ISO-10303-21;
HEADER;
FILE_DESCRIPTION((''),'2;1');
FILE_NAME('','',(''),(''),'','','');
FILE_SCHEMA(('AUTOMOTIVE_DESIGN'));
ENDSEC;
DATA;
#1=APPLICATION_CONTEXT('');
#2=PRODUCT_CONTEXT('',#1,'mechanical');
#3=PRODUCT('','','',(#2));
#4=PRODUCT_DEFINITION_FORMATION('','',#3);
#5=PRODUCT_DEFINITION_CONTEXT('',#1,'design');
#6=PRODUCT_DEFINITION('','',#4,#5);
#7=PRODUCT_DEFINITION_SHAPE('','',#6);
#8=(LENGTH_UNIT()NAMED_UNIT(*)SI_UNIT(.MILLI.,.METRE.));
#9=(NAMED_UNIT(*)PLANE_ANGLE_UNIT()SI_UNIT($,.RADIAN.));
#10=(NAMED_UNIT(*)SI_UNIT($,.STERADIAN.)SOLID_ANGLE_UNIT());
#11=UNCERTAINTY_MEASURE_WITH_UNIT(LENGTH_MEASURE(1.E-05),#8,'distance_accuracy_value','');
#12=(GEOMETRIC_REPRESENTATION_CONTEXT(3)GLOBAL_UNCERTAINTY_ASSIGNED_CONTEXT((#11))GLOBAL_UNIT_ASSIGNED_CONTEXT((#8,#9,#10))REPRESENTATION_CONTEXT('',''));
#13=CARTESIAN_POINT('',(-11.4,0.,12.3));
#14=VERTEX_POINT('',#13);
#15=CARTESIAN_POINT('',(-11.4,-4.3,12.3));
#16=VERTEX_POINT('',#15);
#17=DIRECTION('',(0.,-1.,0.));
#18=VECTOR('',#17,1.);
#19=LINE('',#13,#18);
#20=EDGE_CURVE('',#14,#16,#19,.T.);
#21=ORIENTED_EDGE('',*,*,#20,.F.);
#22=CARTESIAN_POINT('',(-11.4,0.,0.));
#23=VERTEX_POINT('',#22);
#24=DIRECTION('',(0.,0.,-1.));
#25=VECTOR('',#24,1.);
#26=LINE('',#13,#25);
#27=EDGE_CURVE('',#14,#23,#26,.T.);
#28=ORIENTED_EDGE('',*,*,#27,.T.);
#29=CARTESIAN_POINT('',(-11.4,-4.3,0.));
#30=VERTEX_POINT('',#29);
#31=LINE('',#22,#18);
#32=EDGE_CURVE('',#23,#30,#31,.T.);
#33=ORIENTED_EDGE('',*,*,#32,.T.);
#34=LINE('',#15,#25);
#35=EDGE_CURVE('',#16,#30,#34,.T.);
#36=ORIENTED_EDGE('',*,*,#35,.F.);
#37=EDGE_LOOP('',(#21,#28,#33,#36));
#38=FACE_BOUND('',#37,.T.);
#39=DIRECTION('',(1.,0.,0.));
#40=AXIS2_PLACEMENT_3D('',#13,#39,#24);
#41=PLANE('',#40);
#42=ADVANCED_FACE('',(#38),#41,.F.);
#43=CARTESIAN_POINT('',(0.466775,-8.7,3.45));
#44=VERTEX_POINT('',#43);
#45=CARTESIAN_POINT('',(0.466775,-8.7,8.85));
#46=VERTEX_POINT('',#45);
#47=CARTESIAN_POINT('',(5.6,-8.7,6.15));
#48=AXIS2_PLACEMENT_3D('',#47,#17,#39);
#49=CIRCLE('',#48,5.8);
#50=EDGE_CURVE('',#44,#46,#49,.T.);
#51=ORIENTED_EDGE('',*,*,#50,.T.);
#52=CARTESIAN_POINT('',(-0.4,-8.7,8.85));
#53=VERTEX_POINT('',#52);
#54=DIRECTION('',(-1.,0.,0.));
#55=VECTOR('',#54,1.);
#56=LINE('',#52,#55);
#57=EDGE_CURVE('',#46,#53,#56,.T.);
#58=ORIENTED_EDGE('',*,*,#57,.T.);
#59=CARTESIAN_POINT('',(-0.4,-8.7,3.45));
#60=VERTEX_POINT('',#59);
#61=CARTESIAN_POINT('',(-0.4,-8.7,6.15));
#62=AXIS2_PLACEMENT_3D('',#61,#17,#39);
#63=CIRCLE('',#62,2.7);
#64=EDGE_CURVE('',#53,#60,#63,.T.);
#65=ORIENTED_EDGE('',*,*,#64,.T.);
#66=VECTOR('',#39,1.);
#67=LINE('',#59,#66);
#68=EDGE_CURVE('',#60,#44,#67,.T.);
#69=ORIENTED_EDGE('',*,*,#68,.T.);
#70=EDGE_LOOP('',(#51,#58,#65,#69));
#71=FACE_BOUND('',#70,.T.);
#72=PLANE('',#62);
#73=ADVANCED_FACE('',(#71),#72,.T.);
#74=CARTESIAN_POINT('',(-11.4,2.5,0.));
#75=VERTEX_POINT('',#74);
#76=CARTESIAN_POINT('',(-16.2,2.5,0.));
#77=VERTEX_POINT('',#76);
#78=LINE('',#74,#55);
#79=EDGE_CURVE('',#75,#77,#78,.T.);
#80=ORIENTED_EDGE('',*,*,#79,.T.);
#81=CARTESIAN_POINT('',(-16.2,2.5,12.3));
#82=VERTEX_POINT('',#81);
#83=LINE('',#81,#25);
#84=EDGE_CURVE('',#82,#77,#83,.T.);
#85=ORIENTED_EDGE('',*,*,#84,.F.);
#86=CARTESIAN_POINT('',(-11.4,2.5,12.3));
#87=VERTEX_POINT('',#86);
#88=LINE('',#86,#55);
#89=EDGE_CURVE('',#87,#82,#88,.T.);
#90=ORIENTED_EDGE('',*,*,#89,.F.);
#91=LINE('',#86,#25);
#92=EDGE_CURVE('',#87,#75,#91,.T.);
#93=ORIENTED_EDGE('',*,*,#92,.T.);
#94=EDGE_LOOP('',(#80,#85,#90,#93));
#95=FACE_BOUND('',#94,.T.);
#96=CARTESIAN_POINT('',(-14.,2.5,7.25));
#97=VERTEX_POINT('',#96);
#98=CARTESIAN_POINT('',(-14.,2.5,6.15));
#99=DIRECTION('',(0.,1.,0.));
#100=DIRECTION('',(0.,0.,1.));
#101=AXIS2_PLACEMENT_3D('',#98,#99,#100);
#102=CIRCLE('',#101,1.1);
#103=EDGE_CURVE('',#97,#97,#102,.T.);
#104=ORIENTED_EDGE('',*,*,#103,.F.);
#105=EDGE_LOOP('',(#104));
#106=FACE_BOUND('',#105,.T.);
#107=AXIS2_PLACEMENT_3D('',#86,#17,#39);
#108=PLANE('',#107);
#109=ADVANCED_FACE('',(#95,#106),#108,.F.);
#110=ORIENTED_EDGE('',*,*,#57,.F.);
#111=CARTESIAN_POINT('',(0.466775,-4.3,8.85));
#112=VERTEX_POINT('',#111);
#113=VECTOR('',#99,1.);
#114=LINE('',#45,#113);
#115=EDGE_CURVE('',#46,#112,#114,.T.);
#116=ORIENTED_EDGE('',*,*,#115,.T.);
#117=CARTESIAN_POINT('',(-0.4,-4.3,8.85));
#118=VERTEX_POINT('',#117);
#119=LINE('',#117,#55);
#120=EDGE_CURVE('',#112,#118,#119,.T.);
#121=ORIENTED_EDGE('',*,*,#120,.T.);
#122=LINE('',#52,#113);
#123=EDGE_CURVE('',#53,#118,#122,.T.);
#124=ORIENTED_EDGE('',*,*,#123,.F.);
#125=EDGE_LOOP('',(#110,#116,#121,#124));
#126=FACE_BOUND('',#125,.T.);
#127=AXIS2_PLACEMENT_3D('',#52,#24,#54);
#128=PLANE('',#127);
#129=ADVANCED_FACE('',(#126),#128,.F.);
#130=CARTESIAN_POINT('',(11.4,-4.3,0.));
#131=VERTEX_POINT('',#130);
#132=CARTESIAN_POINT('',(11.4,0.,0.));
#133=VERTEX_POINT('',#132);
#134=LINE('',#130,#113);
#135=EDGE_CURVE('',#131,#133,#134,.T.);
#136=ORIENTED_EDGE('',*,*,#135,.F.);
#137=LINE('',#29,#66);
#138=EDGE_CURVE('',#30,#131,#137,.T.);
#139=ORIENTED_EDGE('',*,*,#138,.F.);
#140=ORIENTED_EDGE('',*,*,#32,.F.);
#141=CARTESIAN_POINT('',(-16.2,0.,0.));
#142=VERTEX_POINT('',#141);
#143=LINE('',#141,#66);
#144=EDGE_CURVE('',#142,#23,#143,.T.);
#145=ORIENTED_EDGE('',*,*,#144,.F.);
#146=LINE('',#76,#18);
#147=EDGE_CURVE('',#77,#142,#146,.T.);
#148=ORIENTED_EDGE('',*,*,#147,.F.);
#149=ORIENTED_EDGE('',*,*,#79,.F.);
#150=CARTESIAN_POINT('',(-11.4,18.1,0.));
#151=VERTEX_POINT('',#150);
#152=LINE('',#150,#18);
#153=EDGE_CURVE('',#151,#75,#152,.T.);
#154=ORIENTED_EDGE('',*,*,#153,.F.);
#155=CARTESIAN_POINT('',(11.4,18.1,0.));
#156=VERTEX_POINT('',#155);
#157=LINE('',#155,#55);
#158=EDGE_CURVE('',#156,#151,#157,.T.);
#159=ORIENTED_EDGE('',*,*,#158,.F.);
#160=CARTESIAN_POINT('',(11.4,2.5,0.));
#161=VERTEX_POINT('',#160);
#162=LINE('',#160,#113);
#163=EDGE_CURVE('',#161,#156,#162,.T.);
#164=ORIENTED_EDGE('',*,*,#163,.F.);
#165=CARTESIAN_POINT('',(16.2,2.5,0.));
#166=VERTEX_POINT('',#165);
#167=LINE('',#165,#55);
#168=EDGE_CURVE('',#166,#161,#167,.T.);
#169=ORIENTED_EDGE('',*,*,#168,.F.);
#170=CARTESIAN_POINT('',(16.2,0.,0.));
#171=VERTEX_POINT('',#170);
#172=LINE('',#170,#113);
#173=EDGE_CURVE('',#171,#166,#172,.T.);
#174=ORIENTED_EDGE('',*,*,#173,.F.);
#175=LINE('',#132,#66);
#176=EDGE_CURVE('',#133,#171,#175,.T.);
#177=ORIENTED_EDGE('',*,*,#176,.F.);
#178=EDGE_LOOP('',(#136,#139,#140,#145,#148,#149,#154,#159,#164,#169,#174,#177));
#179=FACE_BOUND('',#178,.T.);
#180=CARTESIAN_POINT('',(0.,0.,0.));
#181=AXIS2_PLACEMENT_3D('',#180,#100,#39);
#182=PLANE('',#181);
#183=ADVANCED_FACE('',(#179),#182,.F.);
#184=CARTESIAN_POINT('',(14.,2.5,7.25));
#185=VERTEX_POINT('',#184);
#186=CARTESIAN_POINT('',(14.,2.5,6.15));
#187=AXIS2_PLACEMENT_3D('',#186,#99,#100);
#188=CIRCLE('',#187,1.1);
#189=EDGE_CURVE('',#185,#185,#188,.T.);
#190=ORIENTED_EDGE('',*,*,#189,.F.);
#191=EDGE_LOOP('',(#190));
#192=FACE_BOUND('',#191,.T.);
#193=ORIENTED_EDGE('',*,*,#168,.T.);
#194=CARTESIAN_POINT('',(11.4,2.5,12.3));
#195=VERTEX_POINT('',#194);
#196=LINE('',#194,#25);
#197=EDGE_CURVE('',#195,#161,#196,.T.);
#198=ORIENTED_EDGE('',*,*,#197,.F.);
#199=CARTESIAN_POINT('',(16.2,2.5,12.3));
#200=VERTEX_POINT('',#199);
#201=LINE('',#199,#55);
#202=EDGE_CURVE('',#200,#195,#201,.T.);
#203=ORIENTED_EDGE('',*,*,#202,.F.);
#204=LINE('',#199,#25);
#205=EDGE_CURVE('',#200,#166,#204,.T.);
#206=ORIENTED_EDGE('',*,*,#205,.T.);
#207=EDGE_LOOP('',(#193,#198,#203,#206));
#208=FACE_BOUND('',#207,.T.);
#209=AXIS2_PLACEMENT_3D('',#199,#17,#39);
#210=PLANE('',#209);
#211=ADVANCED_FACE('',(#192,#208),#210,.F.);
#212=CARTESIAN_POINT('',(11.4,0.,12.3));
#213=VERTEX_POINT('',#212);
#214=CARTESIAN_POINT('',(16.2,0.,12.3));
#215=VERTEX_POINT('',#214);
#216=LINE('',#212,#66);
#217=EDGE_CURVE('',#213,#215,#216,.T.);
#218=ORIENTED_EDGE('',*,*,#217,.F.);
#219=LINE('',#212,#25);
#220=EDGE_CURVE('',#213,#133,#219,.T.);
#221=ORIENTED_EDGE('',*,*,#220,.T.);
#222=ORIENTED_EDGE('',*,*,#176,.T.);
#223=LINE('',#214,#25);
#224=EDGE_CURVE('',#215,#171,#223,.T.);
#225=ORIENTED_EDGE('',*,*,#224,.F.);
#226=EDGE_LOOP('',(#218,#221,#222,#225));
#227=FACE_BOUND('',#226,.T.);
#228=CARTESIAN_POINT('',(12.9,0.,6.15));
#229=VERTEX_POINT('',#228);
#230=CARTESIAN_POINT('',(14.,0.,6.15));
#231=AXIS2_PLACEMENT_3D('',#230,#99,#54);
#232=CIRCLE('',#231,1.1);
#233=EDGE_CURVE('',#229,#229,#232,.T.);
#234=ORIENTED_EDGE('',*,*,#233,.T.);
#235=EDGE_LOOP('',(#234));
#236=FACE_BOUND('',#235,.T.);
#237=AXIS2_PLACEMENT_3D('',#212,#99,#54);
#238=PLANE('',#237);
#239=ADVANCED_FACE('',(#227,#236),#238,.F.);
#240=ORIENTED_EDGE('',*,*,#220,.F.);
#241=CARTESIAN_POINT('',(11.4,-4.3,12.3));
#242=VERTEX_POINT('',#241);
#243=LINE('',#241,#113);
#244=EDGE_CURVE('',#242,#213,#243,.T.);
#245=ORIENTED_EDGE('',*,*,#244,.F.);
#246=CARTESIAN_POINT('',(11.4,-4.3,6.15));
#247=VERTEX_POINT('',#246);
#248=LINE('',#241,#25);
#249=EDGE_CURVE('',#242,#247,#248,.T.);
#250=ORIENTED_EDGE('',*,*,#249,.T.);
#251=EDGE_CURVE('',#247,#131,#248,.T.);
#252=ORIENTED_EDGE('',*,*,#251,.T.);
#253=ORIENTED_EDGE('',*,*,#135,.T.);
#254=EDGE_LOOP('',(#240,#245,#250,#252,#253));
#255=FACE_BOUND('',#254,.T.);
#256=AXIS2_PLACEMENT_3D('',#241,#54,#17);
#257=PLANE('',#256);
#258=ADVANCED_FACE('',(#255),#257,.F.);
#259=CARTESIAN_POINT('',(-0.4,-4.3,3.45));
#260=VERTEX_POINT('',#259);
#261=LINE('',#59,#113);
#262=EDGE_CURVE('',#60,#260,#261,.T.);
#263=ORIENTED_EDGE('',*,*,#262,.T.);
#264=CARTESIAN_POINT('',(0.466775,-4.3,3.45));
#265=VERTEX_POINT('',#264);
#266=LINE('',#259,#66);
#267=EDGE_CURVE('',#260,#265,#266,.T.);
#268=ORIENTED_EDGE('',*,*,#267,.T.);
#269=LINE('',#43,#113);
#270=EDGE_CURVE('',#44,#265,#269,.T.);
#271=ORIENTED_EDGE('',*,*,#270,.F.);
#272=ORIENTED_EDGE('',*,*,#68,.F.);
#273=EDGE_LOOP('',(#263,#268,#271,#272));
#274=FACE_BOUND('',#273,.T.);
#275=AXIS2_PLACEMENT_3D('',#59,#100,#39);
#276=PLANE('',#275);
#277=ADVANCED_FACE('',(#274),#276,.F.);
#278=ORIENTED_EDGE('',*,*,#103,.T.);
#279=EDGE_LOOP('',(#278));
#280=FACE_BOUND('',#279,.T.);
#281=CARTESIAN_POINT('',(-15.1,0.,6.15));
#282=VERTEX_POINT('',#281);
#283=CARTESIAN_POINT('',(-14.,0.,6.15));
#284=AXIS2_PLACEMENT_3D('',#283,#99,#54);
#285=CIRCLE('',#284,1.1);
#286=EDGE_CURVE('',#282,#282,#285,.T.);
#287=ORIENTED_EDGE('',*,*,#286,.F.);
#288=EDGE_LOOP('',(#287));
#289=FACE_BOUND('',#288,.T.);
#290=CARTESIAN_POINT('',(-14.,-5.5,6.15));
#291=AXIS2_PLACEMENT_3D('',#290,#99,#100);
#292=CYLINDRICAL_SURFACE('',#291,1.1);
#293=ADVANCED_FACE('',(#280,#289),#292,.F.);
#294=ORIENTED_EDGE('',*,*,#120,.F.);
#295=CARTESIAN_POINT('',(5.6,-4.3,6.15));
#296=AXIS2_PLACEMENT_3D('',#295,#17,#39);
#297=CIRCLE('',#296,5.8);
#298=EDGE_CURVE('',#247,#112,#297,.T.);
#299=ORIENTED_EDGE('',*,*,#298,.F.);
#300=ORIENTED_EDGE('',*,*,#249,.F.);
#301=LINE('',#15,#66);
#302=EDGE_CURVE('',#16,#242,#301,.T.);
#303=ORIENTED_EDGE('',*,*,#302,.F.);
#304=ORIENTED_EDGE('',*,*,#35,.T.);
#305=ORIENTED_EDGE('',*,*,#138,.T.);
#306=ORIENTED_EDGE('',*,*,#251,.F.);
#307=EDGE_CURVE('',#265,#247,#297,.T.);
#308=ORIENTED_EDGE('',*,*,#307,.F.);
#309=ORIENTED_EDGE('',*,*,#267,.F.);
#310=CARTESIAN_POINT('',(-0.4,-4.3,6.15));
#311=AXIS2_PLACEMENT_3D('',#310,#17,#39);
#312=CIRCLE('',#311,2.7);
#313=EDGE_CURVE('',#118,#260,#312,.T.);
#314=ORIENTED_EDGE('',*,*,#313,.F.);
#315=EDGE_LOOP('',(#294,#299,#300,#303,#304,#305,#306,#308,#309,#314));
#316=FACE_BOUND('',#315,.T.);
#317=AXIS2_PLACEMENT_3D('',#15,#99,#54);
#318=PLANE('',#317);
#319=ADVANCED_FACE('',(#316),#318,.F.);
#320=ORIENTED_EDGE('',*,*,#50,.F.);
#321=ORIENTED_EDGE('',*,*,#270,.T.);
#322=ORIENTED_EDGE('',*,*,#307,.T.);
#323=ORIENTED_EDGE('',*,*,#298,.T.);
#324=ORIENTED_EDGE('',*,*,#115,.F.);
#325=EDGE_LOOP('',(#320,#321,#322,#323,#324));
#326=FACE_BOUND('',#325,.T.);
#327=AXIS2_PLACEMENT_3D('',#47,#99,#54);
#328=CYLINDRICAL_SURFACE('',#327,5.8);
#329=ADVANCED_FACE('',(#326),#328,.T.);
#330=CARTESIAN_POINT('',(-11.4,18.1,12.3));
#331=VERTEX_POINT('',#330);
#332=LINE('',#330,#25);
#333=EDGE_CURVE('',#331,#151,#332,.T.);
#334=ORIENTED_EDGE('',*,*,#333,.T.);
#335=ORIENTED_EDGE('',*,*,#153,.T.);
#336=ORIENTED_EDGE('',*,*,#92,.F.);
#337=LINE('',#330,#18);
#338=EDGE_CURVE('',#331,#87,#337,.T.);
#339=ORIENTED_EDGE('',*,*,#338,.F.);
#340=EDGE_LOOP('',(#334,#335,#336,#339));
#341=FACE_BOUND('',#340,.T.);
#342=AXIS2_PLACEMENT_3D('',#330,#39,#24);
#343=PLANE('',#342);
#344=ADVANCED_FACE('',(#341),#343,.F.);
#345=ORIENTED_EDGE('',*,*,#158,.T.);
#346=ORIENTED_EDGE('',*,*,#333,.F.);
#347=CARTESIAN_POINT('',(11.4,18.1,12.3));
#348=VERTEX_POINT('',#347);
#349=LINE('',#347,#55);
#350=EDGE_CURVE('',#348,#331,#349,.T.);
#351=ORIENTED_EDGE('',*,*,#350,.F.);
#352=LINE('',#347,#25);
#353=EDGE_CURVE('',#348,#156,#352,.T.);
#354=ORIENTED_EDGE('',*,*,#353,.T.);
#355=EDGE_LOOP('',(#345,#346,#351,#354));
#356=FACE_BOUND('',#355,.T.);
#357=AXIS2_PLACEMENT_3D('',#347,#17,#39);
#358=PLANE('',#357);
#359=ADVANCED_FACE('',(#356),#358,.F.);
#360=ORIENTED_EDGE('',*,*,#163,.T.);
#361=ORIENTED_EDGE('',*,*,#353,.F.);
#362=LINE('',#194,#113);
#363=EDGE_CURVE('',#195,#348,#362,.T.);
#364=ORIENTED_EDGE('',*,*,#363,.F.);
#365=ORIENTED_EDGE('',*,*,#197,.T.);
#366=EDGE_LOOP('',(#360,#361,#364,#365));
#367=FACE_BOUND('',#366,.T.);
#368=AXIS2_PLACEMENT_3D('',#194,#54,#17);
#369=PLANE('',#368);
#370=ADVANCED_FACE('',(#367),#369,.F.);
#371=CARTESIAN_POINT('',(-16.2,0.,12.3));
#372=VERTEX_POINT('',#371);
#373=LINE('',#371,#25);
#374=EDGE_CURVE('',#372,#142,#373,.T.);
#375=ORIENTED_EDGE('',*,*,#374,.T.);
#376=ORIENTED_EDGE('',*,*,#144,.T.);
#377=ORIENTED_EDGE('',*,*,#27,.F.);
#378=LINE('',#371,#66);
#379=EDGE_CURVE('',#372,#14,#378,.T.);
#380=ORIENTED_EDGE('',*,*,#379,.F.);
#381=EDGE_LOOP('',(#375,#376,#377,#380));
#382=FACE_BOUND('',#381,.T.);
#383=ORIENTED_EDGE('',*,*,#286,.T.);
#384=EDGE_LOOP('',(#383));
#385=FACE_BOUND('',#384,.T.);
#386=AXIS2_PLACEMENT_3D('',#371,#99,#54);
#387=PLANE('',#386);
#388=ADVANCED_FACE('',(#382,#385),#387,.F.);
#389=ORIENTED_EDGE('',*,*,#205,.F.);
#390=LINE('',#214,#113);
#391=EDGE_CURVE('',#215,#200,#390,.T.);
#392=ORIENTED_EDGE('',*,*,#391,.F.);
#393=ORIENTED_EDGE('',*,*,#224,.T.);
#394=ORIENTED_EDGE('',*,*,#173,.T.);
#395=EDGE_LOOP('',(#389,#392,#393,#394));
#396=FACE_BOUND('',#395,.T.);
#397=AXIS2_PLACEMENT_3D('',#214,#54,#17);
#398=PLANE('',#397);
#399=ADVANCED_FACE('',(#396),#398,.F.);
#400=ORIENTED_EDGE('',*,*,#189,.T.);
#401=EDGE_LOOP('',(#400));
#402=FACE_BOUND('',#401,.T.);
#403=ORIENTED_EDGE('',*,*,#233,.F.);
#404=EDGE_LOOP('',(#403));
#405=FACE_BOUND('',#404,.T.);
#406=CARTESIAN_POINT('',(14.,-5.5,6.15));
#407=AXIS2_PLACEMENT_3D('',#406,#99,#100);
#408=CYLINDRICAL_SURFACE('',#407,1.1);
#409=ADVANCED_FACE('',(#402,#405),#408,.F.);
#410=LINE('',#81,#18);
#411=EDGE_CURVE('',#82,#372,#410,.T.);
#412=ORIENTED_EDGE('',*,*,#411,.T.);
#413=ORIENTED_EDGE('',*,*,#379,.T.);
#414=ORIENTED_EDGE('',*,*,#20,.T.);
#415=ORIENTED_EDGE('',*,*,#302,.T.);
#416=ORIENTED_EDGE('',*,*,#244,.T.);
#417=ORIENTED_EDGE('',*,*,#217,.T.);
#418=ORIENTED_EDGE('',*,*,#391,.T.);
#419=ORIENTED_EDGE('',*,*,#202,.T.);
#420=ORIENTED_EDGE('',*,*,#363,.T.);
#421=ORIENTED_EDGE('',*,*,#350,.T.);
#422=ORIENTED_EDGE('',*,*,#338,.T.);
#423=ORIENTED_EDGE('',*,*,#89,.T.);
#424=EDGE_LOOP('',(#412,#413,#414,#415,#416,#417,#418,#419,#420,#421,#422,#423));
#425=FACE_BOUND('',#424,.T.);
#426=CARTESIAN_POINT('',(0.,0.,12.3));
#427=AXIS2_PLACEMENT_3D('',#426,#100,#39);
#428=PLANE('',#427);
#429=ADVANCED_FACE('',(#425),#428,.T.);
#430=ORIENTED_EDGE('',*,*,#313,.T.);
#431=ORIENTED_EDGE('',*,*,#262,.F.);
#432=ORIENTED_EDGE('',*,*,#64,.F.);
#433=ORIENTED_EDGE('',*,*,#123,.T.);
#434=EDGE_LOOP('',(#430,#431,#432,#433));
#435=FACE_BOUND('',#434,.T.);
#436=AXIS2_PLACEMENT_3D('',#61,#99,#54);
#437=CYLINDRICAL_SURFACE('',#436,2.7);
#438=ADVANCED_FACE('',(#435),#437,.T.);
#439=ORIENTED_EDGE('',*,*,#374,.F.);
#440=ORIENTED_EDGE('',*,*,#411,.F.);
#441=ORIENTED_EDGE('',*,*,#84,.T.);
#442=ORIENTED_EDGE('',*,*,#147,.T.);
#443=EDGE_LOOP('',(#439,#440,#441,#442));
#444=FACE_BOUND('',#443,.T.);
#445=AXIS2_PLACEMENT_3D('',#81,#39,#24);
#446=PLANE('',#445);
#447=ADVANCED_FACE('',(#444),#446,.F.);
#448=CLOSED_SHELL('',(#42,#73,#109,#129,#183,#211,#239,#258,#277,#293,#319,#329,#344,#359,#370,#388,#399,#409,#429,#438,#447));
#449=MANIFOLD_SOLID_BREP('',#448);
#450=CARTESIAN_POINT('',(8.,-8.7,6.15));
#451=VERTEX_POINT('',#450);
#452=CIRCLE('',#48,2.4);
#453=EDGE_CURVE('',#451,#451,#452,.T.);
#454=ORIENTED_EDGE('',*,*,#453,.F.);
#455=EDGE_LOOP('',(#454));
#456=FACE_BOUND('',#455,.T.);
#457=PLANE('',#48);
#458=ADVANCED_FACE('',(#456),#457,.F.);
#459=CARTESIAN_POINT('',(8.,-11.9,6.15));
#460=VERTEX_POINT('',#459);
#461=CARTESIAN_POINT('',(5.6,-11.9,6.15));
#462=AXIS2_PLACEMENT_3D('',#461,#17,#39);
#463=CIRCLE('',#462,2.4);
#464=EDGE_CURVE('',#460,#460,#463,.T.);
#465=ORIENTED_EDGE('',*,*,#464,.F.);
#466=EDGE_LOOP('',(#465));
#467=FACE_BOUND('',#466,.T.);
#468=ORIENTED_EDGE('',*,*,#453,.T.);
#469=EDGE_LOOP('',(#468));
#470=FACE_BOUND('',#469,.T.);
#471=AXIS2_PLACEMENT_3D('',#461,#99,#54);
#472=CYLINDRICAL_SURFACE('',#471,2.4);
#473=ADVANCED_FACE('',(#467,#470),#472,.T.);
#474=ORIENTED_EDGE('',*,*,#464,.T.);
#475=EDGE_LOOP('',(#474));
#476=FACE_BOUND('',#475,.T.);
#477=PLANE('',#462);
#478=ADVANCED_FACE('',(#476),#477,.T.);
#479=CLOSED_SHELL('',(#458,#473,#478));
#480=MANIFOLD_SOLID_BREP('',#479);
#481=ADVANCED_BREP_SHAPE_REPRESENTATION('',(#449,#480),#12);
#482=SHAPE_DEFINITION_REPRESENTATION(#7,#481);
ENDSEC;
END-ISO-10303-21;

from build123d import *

# Parameters (mm, degrees)
BOSS_EXTRUDE1_DEPTH = 12.3
BOSS_EXTRUDE2_DEPTH = 4.4
SKETCH3_R           = 1.1
CUT_EXTRUDE1_DEPTH  = 8
SKETCH_1_R          = 2.4
EXTRUDE_1_DEPTH     = 3.2


with BuildPart() as part:
    # Sketch1 → Boss-Extrude1 (new body)
    with BuildSketch(Plane.XY):
        Polygon((-16.2, 0), (-11.4, 0), (-11.4, -4.3), (11.4, -4.3), (11.4, 0), (16.2, 0), (16.2, 2.5), (11.4, 2.5), (11.4, 18.1), (-11.4, 18.1), (-11.4, 2.5), (-16.2, 2.5), align=None)
    extrude(amount=BOSS_EXTRUDE1_DEPTH)

    # Sketch2 → Boss-Extrude2 (add)
    with BuildSketch(Plane.XZ.offset(4.3)):
        with BuildLine():
            Line((-0.4, 8.85), (0.466774893, 8.85))
            ThreePointArc((0.466774893, 8.85), (11.4, 6.15), (0.466774893, 3.45))
            Line((0.466774893, 3.45), (-0.4, 3.45))
            ThreePointArc((-0.4, 3.45), (-3.1, 6.15), (-0.4, 8.85))
        make_face()
    extrude(amount=BOSS_EXTRUDE2_DEPTH)

    # Sketch3 → Cut-Extrude1 (cut)
    with BuildSketch(Plane(origin=(0, 2.5, 0), x_dir=(1, 0, 0), z_dir=(0, 1, 0))):
        with Locations((-14, -6.15)):
            Circle(SKETCH3_R)
        with Locations((14, -6.15)):
            Circle(SKETCH3_R)
    extrude(amount=-CUT_EXTRUDE1_DEPTH, mode=Mode.SUBTRACT)


with BuildPart() as body_2:
    # 草圖1 → 填料-伸長1 (new body)
    with BuildSketch(Plane(origin=(0, -8.7, 0), x_dir=(-1, 0, 0), z_dir=(0, -1, 0))):
        with Locations((-5.6, -6.15)):
            Circle(SKETCH_1_R)
    extrude(amount=EXTRUDE_1_DEPTH)


solid = Compound([part.part, body_2.part])
